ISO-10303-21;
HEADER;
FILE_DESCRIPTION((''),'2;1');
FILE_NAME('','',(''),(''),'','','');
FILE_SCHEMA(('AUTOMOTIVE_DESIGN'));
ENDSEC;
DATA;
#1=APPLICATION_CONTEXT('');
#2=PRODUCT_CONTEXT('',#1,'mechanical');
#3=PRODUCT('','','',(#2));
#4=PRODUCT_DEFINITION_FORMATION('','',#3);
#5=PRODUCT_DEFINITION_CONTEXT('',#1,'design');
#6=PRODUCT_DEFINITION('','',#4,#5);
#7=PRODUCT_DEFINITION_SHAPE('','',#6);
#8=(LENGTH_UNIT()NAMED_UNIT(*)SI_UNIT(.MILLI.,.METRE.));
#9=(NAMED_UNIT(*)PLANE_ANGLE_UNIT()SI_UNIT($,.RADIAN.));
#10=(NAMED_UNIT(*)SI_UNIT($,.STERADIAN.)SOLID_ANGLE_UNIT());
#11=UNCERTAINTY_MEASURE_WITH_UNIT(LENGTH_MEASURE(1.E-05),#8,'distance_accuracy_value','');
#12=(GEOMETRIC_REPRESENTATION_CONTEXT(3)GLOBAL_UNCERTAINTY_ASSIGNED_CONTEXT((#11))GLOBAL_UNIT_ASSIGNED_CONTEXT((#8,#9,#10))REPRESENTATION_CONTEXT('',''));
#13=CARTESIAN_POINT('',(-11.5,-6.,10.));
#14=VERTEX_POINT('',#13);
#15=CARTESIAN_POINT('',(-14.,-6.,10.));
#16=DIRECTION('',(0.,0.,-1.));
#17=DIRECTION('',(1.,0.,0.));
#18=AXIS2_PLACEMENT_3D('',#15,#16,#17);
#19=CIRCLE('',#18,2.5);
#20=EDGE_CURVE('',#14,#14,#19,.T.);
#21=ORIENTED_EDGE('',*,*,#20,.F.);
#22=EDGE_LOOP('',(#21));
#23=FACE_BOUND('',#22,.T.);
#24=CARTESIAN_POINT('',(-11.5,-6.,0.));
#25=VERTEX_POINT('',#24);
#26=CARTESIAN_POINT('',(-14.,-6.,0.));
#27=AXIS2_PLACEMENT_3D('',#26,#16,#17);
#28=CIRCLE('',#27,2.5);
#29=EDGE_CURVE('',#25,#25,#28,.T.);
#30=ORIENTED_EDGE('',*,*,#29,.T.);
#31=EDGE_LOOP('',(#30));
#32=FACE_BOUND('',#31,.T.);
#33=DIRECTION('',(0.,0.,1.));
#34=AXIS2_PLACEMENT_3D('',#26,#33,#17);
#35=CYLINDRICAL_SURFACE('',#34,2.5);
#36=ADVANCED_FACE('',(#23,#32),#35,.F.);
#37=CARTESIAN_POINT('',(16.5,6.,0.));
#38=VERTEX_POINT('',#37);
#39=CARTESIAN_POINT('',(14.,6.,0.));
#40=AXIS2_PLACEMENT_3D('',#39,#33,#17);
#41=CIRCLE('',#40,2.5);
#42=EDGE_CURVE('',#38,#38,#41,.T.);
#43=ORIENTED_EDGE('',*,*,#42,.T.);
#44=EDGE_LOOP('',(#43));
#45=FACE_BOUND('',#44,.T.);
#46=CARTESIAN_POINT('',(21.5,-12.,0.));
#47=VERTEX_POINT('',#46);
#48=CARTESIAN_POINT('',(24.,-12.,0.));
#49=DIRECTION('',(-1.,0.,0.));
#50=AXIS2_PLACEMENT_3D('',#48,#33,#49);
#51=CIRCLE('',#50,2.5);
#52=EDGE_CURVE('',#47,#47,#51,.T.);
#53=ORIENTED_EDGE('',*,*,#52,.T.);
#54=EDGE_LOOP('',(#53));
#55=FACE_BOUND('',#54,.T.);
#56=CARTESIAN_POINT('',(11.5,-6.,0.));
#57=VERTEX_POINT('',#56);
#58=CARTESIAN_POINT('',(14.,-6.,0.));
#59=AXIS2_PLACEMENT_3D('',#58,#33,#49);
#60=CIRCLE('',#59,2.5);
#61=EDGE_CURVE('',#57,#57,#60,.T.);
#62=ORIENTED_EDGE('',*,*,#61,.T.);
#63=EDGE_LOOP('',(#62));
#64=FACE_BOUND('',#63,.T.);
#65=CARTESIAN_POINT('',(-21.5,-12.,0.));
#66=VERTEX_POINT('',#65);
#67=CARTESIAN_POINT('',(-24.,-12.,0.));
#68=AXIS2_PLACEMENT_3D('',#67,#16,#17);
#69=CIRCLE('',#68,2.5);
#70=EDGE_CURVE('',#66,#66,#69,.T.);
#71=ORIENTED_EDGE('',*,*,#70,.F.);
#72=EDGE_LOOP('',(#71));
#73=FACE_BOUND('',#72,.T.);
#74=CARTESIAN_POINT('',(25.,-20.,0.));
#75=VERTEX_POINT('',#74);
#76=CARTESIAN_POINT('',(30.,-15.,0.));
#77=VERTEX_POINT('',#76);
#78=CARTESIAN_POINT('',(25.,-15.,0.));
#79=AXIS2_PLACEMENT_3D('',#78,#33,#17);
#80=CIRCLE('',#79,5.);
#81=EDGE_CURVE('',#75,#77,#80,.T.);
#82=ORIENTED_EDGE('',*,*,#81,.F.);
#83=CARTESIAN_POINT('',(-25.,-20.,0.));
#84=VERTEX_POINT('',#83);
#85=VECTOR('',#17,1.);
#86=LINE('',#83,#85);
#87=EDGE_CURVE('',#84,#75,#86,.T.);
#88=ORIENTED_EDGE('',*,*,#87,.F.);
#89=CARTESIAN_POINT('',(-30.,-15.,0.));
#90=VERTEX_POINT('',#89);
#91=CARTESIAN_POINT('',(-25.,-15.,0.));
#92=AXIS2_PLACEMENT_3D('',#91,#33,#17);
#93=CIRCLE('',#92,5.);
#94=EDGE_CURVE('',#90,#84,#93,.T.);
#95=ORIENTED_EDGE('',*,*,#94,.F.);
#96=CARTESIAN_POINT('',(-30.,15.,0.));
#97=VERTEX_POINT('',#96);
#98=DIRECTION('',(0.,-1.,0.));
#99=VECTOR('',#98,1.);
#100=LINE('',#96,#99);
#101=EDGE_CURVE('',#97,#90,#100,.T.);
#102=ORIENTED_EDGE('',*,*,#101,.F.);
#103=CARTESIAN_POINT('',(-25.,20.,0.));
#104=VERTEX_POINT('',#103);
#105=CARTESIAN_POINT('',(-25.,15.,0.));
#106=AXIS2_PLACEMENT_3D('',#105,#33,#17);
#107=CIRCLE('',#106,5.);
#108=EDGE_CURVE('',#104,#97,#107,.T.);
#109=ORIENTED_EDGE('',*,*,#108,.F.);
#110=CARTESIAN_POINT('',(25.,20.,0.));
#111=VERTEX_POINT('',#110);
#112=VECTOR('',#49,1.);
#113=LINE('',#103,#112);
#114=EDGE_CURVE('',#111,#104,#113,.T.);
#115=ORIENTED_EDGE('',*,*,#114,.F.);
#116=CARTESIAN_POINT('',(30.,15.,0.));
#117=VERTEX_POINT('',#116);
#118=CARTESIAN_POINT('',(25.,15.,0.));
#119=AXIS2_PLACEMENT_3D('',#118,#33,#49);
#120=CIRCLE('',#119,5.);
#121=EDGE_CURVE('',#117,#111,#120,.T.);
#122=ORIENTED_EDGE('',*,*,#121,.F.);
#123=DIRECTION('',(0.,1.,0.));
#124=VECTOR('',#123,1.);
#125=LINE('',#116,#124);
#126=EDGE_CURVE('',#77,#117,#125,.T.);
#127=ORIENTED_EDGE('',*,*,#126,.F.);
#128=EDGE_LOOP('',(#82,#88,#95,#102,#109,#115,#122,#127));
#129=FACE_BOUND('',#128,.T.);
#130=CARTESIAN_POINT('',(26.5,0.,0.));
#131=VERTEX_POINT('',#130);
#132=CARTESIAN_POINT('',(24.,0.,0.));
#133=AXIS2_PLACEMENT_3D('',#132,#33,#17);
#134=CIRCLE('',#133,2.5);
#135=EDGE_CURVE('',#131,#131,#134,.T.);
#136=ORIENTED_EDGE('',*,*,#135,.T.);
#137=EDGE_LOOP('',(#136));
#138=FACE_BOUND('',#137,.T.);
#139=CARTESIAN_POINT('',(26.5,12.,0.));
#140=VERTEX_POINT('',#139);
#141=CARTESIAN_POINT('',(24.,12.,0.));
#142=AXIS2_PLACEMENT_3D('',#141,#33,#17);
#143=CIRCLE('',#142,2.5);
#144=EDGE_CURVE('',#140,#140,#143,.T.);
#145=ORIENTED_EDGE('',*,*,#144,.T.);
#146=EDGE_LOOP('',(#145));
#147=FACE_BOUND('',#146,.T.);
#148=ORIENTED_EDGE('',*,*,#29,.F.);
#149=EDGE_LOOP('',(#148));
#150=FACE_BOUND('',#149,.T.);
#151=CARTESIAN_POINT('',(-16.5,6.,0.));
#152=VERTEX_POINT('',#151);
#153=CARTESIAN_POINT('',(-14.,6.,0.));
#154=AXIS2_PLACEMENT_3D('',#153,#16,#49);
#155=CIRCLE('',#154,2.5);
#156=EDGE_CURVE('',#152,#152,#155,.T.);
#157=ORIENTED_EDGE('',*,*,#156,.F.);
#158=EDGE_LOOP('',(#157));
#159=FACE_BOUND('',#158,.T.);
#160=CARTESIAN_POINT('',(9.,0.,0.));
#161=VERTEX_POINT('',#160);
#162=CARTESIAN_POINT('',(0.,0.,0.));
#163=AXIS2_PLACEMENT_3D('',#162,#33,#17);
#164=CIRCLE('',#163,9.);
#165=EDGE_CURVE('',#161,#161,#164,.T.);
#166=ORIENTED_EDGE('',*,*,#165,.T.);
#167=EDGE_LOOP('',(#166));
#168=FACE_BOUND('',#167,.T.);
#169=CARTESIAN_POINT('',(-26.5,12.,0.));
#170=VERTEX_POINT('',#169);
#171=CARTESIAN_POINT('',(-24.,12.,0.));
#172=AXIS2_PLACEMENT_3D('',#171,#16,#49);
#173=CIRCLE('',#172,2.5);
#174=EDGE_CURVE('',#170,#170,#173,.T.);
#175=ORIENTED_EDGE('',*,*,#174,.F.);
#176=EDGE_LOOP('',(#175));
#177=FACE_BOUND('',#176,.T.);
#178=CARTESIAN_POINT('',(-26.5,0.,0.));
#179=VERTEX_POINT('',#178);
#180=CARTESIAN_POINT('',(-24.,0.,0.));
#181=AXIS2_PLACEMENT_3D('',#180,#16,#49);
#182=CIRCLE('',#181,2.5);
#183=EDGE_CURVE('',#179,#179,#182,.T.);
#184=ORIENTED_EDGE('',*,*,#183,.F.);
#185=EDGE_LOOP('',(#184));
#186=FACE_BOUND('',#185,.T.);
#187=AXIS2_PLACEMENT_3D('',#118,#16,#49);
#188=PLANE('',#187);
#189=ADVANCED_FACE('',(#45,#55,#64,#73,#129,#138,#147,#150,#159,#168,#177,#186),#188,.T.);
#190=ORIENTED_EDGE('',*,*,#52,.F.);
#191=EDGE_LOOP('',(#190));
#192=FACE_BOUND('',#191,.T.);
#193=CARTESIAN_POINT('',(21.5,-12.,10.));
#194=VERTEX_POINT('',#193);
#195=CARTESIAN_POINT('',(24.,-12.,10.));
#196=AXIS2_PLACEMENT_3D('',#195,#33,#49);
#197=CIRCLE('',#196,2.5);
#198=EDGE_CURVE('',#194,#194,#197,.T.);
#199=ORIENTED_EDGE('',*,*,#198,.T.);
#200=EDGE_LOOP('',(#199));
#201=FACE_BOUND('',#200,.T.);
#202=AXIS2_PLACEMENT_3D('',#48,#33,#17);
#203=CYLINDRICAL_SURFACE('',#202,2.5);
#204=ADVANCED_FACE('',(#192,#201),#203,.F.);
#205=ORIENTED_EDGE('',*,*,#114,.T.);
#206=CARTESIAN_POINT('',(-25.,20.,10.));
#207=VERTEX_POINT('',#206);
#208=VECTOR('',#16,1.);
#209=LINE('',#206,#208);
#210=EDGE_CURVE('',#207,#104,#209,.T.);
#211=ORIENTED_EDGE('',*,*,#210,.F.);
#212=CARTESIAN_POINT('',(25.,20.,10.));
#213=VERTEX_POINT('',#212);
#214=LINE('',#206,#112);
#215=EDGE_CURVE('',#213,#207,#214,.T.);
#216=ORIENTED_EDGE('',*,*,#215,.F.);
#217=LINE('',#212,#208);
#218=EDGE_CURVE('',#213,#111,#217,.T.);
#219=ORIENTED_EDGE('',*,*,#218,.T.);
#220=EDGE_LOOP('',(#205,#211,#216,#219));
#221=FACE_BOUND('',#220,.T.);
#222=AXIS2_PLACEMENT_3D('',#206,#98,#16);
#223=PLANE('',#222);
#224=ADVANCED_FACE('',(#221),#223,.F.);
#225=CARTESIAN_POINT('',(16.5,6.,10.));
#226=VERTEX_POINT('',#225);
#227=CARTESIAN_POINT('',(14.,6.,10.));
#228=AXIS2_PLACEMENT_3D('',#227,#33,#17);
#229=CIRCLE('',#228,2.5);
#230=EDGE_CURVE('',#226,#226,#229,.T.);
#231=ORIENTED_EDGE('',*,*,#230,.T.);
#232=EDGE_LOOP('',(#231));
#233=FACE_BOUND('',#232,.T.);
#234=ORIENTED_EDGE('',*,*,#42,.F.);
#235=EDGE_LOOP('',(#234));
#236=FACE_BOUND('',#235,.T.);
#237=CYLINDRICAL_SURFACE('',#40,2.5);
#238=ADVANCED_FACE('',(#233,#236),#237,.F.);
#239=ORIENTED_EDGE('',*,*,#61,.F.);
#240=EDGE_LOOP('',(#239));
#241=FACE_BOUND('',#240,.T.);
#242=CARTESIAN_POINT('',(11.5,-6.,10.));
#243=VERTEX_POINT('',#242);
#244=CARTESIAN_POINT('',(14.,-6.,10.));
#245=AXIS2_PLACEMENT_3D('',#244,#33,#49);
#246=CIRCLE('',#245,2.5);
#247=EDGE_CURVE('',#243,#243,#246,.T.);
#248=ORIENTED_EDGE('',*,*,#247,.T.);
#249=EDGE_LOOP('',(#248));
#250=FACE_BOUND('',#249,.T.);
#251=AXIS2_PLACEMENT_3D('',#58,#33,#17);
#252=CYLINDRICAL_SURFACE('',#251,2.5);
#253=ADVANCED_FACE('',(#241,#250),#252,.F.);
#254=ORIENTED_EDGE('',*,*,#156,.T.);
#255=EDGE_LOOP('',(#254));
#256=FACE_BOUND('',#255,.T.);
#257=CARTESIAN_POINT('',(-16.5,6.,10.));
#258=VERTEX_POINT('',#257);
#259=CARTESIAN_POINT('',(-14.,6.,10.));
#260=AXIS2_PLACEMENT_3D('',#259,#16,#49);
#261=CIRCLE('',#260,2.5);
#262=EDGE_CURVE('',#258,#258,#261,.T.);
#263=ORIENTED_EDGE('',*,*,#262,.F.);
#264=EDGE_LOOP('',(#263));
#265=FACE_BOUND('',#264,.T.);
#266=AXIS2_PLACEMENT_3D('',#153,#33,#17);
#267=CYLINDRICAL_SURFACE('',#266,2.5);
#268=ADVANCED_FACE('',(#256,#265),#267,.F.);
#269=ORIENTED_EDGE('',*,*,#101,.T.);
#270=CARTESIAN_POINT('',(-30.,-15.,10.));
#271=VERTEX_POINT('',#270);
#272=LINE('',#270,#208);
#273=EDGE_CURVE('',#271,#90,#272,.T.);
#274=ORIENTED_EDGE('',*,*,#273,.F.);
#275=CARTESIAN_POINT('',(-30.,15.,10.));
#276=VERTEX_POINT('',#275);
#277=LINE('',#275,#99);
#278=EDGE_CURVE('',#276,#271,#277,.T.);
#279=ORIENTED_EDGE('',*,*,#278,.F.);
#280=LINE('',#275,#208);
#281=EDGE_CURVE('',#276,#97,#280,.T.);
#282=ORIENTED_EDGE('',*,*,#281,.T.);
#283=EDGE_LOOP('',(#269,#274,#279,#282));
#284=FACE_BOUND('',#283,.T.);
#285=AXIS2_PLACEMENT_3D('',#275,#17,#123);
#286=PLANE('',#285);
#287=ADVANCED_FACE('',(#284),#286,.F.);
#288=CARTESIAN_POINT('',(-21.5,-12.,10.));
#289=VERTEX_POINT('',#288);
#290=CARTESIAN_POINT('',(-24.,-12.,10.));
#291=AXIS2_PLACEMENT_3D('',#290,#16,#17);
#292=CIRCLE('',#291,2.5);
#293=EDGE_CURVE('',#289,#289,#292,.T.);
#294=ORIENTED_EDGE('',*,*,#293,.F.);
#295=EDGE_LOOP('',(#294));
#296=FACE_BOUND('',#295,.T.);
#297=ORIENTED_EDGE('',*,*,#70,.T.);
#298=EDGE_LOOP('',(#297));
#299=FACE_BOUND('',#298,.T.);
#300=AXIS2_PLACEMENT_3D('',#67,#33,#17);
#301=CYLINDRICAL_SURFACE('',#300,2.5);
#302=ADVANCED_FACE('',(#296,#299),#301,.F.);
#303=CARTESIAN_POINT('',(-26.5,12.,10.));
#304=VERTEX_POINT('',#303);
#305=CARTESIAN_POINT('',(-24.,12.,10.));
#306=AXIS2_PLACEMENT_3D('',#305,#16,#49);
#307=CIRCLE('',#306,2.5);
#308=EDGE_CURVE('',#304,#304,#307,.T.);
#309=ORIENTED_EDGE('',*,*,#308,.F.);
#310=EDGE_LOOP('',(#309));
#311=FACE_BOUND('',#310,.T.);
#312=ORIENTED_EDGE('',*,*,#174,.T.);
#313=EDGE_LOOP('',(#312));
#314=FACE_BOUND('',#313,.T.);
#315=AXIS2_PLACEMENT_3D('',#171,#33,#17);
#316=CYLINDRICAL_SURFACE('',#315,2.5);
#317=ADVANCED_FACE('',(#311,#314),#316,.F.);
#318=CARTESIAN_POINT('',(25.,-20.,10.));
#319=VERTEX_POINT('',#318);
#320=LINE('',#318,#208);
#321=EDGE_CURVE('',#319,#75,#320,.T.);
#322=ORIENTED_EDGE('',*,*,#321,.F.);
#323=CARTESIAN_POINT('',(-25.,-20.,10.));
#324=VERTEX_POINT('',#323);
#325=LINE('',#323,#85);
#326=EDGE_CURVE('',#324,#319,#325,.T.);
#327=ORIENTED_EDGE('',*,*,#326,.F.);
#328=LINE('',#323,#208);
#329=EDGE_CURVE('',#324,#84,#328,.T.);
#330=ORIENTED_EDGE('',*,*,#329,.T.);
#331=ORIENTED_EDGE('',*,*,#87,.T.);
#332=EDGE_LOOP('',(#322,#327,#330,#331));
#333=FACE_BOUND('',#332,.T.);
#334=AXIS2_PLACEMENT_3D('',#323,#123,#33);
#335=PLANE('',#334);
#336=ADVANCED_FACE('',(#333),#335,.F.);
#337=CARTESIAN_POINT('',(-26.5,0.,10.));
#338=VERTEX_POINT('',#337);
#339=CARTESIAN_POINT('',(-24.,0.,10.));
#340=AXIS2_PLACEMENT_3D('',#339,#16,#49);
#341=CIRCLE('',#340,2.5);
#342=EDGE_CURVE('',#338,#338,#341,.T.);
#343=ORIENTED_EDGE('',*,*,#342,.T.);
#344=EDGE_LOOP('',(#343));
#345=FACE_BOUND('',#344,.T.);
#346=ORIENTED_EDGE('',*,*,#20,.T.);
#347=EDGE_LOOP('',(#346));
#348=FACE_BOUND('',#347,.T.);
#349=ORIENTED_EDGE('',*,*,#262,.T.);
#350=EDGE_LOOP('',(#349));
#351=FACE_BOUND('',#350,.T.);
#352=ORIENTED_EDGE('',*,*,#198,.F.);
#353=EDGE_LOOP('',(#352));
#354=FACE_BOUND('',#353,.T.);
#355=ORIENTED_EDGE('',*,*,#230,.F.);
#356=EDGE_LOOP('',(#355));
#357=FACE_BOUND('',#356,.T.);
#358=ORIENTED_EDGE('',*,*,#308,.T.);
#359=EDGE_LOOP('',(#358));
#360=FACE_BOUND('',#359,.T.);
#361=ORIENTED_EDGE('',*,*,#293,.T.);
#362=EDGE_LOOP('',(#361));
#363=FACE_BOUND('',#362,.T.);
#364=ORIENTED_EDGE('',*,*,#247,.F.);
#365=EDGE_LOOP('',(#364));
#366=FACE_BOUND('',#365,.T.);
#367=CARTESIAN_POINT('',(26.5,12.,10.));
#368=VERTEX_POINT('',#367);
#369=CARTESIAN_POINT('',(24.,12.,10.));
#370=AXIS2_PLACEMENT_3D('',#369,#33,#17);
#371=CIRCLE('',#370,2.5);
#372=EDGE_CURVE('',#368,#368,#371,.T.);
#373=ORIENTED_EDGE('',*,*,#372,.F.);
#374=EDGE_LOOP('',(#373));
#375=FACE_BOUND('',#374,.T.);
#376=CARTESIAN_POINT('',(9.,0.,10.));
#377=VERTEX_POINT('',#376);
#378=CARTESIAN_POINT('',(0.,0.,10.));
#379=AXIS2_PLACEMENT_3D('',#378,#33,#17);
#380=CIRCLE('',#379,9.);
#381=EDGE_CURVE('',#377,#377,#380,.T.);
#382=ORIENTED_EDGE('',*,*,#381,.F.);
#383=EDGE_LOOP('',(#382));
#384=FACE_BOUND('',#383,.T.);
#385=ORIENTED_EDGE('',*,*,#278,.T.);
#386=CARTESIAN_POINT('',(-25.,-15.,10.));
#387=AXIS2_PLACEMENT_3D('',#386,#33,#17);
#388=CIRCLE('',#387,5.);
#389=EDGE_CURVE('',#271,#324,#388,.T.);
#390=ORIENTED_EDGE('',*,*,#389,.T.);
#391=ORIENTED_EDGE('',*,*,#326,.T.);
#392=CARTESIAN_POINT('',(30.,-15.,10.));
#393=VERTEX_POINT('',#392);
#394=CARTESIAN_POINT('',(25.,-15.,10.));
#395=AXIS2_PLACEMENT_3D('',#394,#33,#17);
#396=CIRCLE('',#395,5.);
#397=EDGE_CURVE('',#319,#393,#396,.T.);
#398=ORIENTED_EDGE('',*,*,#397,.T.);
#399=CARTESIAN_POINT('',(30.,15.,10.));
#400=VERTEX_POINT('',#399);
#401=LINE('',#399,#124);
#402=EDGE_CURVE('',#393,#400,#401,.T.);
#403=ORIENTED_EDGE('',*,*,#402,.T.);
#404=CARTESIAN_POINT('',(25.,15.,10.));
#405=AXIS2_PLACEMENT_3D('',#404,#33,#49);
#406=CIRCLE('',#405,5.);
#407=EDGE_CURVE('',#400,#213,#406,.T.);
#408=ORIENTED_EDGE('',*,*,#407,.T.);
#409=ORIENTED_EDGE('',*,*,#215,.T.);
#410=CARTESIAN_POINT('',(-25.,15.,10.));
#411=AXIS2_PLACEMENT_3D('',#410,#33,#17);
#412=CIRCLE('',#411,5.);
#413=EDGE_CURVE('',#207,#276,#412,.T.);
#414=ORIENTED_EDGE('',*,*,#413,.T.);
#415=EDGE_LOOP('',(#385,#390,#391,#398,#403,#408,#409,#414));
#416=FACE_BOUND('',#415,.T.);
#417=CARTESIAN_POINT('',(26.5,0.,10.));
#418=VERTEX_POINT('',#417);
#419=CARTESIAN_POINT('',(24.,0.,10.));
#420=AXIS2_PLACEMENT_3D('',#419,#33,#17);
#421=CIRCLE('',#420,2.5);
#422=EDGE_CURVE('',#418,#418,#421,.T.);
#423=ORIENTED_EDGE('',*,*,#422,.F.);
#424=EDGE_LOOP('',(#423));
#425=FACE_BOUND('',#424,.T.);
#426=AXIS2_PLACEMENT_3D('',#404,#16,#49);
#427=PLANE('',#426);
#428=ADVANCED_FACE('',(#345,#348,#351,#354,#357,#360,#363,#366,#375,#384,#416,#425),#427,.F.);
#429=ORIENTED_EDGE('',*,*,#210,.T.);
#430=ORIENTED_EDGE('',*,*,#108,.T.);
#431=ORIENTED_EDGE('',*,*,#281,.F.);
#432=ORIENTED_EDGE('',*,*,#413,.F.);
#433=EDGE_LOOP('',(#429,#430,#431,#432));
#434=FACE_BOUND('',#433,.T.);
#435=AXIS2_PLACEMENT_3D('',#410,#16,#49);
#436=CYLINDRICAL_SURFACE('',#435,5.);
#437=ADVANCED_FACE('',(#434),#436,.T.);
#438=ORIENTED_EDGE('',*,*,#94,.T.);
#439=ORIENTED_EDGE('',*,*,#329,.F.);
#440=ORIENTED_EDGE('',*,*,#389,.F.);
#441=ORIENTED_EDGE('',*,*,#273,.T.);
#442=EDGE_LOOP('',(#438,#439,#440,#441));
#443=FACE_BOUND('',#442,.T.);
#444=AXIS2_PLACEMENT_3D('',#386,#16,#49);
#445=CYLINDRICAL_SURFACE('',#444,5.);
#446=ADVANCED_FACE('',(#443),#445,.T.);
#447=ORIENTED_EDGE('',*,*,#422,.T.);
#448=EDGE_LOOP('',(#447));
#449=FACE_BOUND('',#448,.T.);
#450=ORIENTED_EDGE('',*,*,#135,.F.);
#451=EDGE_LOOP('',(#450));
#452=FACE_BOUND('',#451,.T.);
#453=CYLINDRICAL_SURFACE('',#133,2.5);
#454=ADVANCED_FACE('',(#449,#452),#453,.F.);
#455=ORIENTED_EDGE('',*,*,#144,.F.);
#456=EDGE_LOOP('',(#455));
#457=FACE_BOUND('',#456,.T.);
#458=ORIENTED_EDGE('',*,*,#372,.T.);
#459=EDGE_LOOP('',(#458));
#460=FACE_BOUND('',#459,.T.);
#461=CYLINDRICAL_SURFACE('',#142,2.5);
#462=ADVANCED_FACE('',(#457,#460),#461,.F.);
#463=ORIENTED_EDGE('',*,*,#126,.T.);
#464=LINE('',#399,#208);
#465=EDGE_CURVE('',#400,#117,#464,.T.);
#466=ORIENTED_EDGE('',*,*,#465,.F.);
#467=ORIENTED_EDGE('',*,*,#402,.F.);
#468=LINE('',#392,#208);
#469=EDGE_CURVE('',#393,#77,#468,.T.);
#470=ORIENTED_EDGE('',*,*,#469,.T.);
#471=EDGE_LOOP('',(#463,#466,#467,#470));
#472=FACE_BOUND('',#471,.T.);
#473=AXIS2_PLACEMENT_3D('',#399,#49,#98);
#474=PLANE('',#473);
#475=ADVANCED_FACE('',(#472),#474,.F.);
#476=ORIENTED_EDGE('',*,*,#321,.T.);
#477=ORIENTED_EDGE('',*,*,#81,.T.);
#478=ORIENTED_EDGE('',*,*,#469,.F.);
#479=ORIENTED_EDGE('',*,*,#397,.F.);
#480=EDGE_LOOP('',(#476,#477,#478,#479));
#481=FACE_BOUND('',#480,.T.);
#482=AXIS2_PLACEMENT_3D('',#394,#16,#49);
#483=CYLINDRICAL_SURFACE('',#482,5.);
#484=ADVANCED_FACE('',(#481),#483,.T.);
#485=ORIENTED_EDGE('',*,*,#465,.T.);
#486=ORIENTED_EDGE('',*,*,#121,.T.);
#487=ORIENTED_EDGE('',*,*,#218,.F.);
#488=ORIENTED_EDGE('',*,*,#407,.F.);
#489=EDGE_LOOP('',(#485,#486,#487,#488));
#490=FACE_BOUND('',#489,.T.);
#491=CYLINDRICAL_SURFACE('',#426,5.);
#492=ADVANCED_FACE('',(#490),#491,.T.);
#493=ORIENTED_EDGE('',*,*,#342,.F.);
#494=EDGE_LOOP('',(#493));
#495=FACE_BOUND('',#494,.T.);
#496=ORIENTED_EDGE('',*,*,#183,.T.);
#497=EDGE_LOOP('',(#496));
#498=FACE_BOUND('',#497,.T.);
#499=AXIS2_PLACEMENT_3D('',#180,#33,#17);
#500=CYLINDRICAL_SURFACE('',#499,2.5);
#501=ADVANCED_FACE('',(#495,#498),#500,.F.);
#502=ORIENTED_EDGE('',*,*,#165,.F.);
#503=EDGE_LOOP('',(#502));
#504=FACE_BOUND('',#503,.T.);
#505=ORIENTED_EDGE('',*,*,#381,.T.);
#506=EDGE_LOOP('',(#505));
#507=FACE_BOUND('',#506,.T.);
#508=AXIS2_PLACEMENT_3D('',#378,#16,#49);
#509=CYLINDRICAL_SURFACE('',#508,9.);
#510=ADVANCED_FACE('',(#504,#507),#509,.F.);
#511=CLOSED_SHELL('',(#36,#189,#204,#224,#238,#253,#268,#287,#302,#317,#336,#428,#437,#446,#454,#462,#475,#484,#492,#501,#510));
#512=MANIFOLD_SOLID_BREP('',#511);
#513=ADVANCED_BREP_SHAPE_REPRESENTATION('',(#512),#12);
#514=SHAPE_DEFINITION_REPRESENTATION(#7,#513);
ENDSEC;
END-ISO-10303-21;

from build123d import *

# Parameters (mm, degrees)
SKETCH_1_R          = 9
EXTRUDE_1_DEPTH     = 10
SKETCH_3_R          = 2.5
CUT_EXTRUDE_1_DEPTH = 11


with BuildPart() as part:
    # ｽｹｯﾁ1 → ﾎﾞｽ - 押し出し1 (new body)
    with BuildSketch(Plane.XY):
        with BuildLine():
            Line((-25, 20), (25, 20))
            ThreePointArc((25, 20), (28.535533906, 18.535533906), (30, 15))
            Line((30, 15), (30, -15))
            ThreePointArc((30, -15), (28.535533906, -18.535533906), (25, -20))
            Line((25, -20), (-25, -20))
            ThreePointArc((-25, -20), (-28.535533906, -18.535533906), (-30, -15))
            Line((-30, -15), (-30, 15))
            ThreePointArc((-30, 15), (-28.535533906, 18.535533906), (-25, 20))
        make_face()
        Circle(SKETCH_1_R, mode=Mode.SUBTRACT)
    extrude(amount=EXTRUDE_1_DEPTH)

    # ｽｹｯﾁ3 → ｶｯﾄ - 押し出し1 (cut, through all)
    with BuildSketch(Plane.XY.offset(10)):
        with Locations((14, 6)):
            Circle(SKETCH_3_R)
        with Locations((24, 0)):
            Circle(SKETCH_3_R)
        with Locations((24, 12)):
            Circle(SKETCH_3_R)
        with Locations((24, -12)):
            Circle(SKETCH_3_R)
        with Locations((14, -6)):
            Circle(SKETCH_3_R)
    cut_extrude_1 = extrude(amount=-CUT_EXTRUDE_1_DEPTH, mode=Mode.SUBTRACT)

    # ﾐﾗｰ1: ｶｯﾄ - 押し出し1 across plane
    add(cut_extrude_1.mirror(Plane(origin=(0, 0, 0), x_dir=(0, 0, 1), z_dir=(1, 0, 0))), mode=Mode.SUBTRACT)


solid = part.part
